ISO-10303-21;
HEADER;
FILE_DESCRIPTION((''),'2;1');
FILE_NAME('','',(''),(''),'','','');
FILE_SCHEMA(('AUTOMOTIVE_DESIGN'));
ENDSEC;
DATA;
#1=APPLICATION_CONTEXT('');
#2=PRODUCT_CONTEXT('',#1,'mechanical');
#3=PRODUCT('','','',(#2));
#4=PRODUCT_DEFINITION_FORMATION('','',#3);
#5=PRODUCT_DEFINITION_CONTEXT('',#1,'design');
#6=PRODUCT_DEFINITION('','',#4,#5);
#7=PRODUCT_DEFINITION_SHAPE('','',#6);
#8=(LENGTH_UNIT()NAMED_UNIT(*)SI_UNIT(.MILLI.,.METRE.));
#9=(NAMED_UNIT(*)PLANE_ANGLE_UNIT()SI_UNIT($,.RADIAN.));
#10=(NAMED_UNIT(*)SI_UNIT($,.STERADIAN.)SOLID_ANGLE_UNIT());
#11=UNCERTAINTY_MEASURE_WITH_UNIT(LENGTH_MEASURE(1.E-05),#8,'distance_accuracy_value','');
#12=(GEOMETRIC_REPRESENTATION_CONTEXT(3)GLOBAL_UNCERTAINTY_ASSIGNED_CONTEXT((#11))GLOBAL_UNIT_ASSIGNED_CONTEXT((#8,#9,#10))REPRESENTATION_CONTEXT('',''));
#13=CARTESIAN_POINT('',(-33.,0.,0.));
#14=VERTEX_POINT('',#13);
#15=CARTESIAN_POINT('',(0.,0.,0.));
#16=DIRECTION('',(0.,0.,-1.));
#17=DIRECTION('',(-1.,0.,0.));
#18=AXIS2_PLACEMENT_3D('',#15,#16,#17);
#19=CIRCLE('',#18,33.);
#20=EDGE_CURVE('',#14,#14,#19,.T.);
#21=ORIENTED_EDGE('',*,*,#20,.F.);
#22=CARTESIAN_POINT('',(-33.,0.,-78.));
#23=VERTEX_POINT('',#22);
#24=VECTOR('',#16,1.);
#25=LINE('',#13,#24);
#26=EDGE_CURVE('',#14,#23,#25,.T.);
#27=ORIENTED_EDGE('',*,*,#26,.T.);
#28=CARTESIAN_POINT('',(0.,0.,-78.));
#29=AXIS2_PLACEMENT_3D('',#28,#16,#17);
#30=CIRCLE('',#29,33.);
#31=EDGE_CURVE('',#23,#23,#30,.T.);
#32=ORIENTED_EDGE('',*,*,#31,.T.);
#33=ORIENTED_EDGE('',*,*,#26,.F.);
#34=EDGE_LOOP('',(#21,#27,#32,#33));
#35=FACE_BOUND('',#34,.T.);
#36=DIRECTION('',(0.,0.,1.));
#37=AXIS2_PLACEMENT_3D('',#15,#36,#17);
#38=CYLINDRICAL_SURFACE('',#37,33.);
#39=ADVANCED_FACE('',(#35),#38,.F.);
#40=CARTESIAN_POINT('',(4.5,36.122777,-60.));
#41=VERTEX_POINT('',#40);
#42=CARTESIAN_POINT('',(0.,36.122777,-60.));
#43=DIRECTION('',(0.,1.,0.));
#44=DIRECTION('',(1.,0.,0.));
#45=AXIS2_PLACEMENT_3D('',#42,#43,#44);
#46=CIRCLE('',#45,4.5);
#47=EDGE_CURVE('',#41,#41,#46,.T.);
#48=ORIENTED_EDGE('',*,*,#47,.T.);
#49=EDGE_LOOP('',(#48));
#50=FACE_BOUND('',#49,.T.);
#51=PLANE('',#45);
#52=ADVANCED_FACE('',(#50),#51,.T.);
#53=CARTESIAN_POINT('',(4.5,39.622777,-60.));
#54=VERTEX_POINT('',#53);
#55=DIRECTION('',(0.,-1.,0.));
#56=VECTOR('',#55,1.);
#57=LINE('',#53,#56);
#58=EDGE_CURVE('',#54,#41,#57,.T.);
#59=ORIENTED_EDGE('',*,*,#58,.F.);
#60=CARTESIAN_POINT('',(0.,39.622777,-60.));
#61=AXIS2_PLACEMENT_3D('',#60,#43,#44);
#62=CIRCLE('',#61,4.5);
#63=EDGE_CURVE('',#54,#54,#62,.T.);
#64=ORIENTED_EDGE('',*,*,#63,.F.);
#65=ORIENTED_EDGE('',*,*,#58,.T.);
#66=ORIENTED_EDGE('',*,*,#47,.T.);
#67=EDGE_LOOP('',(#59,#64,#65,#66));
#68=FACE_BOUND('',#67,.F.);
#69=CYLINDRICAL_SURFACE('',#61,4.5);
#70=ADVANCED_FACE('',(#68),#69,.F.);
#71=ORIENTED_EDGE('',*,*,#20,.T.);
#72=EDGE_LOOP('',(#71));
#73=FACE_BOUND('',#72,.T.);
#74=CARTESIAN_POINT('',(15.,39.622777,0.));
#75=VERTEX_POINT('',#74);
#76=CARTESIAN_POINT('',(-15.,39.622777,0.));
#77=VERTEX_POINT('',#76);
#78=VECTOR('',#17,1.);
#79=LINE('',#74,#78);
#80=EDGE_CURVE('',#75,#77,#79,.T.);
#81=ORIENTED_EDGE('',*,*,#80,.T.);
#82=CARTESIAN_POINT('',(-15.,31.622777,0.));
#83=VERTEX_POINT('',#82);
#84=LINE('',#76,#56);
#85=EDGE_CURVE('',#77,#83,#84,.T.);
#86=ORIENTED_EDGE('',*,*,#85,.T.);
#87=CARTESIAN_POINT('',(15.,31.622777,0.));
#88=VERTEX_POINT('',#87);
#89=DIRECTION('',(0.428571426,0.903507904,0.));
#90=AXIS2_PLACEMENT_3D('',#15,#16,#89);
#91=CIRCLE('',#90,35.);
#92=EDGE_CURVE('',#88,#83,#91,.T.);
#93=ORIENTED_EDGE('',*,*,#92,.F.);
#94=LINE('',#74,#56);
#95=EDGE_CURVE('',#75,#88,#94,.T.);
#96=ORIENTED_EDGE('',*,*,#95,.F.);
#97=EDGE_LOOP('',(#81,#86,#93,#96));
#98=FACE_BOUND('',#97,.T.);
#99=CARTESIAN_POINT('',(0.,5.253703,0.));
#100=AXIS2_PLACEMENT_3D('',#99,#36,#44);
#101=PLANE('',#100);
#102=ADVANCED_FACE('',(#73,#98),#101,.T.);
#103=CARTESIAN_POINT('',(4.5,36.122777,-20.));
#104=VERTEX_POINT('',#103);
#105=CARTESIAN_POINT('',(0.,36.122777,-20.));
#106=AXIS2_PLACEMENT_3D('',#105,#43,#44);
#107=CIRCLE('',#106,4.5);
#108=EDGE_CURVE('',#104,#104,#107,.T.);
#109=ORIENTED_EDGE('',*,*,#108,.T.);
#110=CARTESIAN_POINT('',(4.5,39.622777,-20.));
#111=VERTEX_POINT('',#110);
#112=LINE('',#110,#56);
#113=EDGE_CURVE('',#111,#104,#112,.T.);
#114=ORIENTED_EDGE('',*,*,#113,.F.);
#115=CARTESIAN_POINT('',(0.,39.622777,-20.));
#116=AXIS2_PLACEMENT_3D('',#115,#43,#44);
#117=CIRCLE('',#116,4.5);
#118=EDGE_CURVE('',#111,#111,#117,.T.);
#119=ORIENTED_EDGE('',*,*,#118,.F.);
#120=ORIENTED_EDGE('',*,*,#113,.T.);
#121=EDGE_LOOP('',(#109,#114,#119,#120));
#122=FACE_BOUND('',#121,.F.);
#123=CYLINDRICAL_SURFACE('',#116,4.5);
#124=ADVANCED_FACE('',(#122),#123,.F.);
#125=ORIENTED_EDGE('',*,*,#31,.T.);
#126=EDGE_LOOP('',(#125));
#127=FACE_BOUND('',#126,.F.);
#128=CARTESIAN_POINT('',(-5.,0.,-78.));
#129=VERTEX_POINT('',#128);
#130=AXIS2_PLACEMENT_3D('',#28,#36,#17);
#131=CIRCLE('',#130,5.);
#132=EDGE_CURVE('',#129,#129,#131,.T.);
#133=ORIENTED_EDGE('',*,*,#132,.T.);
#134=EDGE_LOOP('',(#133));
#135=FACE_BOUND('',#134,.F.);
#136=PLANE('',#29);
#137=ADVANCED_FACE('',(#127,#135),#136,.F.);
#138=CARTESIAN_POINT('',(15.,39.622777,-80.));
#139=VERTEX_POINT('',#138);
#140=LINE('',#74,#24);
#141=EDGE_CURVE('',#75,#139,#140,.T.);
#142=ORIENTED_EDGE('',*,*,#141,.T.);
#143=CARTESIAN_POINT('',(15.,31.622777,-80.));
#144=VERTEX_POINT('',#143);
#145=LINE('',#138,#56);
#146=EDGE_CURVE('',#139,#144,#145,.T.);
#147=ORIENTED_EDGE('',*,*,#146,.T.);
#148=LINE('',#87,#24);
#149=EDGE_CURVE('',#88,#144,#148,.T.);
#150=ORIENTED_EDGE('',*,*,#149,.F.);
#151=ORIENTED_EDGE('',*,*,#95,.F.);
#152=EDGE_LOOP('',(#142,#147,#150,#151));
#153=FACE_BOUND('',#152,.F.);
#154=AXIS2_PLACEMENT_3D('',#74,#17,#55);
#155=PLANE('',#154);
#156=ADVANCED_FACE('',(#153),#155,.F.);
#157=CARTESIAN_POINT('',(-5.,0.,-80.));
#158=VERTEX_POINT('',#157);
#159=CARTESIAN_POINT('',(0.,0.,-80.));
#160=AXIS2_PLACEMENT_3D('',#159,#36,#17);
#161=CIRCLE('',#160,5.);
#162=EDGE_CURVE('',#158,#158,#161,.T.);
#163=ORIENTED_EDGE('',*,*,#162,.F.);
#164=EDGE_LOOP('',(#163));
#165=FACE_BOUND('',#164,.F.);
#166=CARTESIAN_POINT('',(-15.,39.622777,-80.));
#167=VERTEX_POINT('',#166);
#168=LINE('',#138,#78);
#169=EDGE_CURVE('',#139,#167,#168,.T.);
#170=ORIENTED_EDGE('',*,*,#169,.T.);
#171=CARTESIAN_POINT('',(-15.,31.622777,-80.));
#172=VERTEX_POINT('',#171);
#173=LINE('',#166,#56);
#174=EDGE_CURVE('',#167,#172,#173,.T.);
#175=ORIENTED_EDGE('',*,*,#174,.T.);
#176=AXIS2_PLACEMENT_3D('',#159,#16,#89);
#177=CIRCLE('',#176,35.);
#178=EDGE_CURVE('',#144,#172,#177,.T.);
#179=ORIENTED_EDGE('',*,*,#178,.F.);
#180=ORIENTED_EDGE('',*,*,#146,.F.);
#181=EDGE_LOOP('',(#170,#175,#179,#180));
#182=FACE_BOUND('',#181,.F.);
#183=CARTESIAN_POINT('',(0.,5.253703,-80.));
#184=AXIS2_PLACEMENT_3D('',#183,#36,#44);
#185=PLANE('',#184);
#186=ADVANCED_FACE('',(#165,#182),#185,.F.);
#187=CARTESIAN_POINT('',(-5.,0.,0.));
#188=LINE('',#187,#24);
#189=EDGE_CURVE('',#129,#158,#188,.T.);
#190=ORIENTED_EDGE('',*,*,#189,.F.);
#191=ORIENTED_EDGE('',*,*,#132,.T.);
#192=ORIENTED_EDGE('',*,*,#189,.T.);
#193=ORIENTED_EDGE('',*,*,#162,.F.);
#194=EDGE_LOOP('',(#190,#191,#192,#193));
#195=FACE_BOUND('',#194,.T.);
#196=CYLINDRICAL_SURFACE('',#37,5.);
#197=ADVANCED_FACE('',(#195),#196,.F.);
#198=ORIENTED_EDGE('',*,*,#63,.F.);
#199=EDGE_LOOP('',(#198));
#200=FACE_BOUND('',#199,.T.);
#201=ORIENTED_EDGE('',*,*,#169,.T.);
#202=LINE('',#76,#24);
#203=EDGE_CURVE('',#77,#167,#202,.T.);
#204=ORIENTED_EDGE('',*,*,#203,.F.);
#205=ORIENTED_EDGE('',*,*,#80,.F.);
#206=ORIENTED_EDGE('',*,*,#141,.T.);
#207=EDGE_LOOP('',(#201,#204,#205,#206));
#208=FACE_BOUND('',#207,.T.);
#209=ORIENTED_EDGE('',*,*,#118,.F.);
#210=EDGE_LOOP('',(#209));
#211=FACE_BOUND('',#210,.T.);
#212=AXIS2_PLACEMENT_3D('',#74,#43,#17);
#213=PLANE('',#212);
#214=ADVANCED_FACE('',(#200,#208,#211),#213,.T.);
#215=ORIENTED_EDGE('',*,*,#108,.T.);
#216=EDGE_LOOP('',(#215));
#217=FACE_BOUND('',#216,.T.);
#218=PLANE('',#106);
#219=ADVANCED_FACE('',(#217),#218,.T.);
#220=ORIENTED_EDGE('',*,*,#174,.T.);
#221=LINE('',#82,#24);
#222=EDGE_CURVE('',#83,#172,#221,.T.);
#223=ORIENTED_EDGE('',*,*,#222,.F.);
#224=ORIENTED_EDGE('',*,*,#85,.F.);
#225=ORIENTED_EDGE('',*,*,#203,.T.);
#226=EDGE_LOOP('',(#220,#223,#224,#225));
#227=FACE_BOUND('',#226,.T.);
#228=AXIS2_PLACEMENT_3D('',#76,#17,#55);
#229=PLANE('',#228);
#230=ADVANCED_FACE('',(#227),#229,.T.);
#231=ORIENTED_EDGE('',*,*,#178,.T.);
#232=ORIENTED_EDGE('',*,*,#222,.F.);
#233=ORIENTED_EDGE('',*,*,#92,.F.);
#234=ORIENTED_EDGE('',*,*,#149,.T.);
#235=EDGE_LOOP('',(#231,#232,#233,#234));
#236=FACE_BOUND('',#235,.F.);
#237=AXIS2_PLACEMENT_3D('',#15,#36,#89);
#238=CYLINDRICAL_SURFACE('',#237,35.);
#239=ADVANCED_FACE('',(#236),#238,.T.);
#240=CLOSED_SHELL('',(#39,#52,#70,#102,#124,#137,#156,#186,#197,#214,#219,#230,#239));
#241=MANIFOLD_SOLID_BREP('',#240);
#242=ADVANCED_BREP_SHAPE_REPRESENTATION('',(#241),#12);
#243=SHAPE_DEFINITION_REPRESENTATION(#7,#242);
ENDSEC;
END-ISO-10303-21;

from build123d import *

# Parameters (mm, degrees)
PAD_DEPTH            = 80
SKETCH001_R          = 33
POCKET_DEPTH         = 78
SKETCH002_R          = 5
POCKET001_DEPTH      = 80.001
SKETCH003_R          = 4.5
POCKET002_DEPTH      = 3.5
LINEARPATTERN_COUNT  = 2
LINEARPATTERN_PITCH  = 40
BODY_PLACEMENT_ANGLE = 180


with BuildPart() as part:
    # Sketch → Pad (new body)
    with BuildSketch(Plane.XY):
        with BuildLine():
            Line((-15, 39.622777), (15, 39.622777))
            Line((15, 39.622777), (15, 31.622777))
            ThreePointArc((-15, 31.622777), (0, -35), (15, 31.622777))
            Line((-15, 39.622777), (-15, 31.622777))
        make_face()
    extrude(amount=PAD_DEPTH)

    # Sketch001 → Pocket (cut)
    with BuildSketch(Plane.XY):
        Circle(SKETCH001_R)
    extrude(amount=POCKET_DEPTH, mode=Mode.SUBTRACT)

    # Sketch002 → Pocket001 (cut, through all)
    with BuildSketch(Plane.XY):
        Circle(SKETCH002_R)
    extrude(amount=POCKET001_DEPTH, mode=Mode.SUBTRACT)

    # Sketch003 (on Face1 of Pocket001) → Pocket002 (cut)
    with BuildSketch(Plane(origin=(0, 39.622777, 0), x_dir=(-1, 0, 0), z_dir=(0, 1, 0))):
        with Locations((0, 20)):
            Circle(SKETCH003_R)
    pocket002 = extrude(amount=-POCKET002_DEPTH, mode=Mode.SUBTRACT)

    # LinearPattern: Pocket002 ×2
    with Locations(*[(0, 0, i * LINEARPATTERN_PITCH) for i in range(1, LINEARPATTERN_COUNT)]):
        add(pocket002, mode=Mode.SUBTRACT)


with BuildPart() as part_1:
    # Body placement: moved
    add(part.part.rotate(Axis((0, 0, 0), (0, 1, 0)), BODY_PLACEMENT_ANGLE))


solid = part_1.part
